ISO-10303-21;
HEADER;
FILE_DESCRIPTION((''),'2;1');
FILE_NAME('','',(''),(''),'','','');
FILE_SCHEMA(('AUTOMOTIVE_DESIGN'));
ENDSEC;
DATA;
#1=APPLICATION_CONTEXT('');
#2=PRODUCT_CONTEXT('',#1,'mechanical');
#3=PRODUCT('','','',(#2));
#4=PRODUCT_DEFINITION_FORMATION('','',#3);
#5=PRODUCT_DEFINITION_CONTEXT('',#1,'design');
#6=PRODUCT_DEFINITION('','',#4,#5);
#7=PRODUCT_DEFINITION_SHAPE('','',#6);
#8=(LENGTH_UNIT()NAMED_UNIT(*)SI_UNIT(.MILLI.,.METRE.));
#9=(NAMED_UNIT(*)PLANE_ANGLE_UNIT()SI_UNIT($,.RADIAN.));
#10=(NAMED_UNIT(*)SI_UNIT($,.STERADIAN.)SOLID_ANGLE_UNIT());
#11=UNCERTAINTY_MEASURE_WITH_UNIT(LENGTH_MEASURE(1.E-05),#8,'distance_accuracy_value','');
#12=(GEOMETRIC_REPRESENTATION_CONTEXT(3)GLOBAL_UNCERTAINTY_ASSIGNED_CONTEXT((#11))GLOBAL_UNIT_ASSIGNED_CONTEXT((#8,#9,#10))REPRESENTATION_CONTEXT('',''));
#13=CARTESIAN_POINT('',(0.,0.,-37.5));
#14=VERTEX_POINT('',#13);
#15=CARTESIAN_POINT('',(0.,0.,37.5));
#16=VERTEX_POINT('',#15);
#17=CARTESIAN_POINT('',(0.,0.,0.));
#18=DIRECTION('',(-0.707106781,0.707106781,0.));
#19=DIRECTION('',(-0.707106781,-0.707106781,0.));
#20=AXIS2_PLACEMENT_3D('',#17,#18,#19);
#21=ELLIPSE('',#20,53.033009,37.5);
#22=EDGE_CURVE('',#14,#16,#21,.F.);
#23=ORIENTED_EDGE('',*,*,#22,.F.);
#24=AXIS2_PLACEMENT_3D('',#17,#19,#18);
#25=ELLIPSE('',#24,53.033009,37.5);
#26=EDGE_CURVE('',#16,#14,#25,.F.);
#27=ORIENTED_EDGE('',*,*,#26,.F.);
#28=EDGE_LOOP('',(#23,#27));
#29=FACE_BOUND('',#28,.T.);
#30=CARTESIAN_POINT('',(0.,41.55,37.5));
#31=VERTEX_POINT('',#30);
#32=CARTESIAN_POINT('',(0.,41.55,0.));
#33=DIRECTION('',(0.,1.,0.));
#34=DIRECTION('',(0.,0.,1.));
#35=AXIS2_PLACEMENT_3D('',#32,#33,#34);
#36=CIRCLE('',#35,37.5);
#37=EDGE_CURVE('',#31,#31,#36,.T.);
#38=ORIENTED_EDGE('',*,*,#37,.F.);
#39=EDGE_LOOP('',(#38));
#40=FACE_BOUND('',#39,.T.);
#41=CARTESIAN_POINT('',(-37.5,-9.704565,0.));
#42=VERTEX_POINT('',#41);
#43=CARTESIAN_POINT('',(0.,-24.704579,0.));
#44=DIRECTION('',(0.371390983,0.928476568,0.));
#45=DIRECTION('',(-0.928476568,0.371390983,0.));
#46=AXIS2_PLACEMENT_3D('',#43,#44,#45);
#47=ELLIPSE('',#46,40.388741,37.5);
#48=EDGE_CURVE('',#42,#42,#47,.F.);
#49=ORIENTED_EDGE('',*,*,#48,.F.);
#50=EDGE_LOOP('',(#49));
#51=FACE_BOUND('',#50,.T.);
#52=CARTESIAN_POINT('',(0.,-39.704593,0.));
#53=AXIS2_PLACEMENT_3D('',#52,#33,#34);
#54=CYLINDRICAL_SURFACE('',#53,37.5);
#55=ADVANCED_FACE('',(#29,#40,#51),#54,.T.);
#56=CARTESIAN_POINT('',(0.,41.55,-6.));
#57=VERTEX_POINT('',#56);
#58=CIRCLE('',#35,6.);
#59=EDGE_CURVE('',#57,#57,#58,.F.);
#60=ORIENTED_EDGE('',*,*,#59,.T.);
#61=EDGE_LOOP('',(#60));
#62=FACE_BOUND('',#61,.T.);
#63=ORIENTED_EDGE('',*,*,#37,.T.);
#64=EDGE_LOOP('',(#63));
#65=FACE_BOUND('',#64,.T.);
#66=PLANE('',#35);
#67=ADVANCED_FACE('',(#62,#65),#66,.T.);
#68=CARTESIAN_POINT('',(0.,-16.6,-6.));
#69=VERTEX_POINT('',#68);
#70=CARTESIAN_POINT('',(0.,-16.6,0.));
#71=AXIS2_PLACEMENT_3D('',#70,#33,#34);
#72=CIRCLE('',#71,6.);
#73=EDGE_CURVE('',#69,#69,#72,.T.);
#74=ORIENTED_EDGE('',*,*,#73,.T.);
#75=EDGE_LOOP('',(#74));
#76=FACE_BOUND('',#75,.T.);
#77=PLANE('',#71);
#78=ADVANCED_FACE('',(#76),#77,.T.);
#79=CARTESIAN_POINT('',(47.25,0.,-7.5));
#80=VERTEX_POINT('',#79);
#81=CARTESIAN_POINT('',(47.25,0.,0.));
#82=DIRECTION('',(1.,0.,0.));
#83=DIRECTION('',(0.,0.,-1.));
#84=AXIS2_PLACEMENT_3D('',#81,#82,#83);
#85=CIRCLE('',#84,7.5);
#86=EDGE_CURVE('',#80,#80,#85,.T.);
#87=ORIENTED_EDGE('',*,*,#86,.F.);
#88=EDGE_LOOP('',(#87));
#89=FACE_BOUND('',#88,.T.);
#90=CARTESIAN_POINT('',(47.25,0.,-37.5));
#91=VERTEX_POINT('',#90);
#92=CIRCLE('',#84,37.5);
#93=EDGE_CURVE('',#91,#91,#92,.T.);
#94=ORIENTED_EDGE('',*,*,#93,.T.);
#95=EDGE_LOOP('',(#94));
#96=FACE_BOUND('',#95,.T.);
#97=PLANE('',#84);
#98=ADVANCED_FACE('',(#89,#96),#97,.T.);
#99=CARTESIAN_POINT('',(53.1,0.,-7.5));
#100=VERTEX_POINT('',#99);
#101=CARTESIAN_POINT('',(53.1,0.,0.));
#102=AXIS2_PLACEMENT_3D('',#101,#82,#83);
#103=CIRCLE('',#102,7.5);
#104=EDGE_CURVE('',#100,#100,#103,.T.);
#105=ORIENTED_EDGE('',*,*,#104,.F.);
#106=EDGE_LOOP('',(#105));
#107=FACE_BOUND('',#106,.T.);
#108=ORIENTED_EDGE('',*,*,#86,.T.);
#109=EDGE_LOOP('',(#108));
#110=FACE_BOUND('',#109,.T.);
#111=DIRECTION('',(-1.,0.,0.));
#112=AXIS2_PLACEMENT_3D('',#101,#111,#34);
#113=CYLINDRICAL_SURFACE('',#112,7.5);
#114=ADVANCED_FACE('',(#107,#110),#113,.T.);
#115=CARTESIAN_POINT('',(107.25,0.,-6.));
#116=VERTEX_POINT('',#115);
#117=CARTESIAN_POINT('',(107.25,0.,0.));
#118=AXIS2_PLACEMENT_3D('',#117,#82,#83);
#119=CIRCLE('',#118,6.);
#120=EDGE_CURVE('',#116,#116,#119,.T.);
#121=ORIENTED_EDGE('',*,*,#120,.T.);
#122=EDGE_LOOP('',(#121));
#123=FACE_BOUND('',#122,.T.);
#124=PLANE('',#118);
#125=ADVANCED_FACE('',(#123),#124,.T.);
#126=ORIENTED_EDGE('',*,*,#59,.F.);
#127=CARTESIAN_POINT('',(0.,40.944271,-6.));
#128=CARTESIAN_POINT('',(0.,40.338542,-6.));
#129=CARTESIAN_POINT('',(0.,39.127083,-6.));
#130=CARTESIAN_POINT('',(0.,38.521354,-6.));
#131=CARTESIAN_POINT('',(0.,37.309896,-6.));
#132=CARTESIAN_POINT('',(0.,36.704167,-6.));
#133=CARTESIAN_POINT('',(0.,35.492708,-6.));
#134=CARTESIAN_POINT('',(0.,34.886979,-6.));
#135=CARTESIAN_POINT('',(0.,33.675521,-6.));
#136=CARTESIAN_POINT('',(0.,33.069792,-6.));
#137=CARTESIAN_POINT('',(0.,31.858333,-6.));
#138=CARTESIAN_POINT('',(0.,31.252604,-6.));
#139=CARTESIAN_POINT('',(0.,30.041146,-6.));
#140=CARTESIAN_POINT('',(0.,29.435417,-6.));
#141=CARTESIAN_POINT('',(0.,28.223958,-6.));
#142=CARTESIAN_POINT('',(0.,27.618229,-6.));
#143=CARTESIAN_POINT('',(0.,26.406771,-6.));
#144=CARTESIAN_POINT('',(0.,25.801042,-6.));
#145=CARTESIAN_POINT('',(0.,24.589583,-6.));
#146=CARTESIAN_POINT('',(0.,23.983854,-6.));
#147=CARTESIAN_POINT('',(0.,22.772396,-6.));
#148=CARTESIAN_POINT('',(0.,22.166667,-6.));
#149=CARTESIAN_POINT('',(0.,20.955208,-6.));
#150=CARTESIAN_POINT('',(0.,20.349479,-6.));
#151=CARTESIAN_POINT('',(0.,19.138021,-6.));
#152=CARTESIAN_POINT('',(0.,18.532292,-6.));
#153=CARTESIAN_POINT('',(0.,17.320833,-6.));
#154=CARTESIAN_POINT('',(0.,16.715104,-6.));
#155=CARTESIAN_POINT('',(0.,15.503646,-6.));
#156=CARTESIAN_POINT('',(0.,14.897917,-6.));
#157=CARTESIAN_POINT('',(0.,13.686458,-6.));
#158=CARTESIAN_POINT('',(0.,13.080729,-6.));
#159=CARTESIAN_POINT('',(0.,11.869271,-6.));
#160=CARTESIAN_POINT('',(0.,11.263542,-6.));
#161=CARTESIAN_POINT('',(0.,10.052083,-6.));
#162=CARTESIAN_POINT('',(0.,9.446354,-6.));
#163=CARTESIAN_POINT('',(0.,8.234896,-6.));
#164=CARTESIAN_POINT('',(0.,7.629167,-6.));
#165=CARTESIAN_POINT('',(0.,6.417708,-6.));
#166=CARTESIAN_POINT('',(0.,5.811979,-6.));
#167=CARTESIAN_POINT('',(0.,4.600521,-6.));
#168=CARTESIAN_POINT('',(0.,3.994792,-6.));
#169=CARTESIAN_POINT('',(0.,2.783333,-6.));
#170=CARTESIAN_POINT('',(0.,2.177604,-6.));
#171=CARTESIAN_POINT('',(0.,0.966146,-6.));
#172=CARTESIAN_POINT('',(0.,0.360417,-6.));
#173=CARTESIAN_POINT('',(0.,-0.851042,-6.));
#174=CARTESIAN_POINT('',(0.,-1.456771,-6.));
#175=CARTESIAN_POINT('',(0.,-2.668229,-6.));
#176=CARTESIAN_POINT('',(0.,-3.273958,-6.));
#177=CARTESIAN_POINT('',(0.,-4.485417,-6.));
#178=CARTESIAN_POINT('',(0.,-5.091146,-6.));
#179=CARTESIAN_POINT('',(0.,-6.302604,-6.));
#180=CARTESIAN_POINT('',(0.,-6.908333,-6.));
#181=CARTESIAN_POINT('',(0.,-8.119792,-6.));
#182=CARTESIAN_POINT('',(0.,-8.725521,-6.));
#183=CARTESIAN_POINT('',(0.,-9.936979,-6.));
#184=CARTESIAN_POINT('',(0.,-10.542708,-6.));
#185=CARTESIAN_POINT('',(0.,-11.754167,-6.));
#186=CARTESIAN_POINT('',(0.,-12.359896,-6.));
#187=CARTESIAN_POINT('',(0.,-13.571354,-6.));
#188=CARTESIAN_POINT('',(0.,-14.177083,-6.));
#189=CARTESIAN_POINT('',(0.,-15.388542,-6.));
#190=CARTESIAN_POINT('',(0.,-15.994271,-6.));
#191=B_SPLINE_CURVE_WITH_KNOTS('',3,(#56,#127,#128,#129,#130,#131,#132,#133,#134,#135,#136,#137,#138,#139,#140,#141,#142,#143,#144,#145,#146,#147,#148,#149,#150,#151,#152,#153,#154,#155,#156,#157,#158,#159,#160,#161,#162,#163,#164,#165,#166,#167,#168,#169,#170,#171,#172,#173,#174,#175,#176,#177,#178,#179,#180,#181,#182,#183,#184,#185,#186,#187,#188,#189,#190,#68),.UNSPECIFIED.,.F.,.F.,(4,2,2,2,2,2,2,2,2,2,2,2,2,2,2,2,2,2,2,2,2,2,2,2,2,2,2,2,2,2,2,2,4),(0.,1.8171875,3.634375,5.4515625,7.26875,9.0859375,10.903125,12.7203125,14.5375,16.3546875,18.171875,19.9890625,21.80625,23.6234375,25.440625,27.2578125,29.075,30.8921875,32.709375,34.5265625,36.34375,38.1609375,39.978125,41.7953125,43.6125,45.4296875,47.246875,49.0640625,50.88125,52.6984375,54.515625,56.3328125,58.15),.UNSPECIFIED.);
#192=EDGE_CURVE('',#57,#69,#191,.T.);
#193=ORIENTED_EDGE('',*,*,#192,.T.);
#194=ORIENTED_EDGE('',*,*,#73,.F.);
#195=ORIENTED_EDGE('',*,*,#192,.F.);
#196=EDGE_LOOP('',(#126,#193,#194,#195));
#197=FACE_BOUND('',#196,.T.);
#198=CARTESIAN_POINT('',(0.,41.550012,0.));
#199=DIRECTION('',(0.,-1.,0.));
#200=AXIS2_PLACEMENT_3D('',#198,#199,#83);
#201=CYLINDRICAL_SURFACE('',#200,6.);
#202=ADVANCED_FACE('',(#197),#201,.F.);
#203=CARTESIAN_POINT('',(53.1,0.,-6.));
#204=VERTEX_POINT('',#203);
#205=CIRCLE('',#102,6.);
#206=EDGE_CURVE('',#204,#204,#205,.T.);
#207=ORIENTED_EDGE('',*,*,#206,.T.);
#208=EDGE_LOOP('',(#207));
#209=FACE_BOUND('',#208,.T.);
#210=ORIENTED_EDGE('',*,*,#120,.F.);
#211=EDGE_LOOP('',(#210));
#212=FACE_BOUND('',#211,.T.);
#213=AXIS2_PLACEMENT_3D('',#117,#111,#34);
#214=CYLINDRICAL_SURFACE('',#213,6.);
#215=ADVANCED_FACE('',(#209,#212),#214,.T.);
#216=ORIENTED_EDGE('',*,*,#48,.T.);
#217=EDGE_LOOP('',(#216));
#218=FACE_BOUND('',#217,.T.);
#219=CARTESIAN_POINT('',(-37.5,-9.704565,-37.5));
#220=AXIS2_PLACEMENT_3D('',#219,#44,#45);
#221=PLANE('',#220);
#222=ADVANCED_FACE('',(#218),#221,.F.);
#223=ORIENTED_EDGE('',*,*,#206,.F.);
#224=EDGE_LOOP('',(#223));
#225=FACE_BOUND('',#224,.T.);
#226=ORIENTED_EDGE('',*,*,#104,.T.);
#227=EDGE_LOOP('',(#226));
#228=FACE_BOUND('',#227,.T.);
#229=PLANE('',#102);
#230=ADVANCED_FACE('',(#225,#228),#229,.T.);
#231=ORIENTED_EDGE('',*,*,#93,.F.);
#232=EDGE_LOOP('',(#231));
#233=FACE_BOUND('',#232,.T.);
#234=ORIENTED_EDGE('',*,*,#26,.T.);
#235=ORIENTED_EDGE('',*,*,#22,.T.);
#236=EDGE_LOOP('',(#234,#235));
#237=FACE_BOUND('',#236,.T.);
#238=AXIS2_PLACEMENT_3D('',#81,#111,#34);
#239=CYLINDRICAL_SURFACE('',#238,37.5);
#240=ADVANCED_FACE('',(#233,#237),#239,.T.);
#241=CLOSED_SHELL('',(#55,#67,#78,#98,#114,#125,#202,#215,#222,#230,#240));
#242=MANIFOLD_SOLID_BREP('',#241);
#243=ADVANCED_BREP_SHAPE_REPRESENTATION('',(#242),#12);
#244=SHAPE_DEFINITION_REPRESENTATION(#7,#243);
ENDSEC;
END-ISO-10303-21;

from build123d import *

# Parameters (mm, degrees)
SKETCH1_R                = 37.5
BOSS_EXTRUDE1_DEPTH      = 47.25
BOSS_EXTRUDE2_DEPTH      = 41.55
BOSS_EXTRUDE2_DEPTH_BACK = 39.70459341
SKETCH2_R                = 37.5
CUT_EXTRUDE1_DEPTH       = 74.247627948
CUT_EXTRUDE1_DEPTH_BACK  = 74.247627948
SKETCH4_R                = 6
BOSS_EXTRUDE3_DEPTH      = 60
SKETCH5_R                = 7.5
BOSS_EXTRUDE4_DEPTH      = 5.85
CUT_EXTRUDE2_DEPTH       = 140.682215941
CUT_EXTRUDE2_DEPTH_BACK  = 58.15
SKETCH6_R                = 6


with BuildPart() as part:
    # Sketch1 → Boss-Extrude1 (new body)
    with BuildSketch(Plane(origin=(0, 0, 0), x_dir=(0, 0, -1), z_dir=(1, 0, 0))):
        Circle(SKETCH1_R)
    extrude(amount=BOSS_EXTRUDE1_DEPTH)

    # Sketch2 → Boss-Extrude2 (add, two sides: drawn at the far end of the back side and taken through both)
    with BuildSketch(Plane(origin=(0, 0, 0), x_dir=(1, 0, 0), z_dir=(0, 1, 0)).offset(-BOSS_EXTRUDE2_DEPTH_BACK)):
        with Locations(Location((0, 0, 0), (0, 0, 270))):
            Circle(SKETCH2_R)
    extrude(amount=BOSS_EXTRUDE2_DEPTH + BOSS_EXTRUDE2_DEPTH_BACK)

    # Sketch3 → Cut-Extrude1 (cut, two sides: drawn at the far end of the back side and taken through both)
    with BuildSketch(Plane.XY.offset(-CUT_EXTRUDE1_DEPTH_BACK)):
        Polygon((37.5, -39.70459341), (-37.5, -39.70459341), (-37.5, -9.70456466), align=None)
    extrude(amount=CUT_EXTRUDE1_DEPTH + CUT_EXTRUDE1_DEPTH_BACK, mode=Mode.SUBTRACT)

    # Sketch4 → Boss-Extrude3 (add)
    with BuildSketch(Plane(origin=(47.25, 0, 0), x_dir=(0, 0, -1), z_dir=(1, 0, 0))):
        Circle(SKETCH4_R)
    extrude(amount=BOSS_EXTRUDE3_DEPTH)

    # Sketch5 → Boss-Extrude4 (add)
    with BuildSketch(Plane(origin=(47.25, 0, 0), x_dir=(0, 0, -1), z_dir=(1, 0, 0))):
        Circle(SKETCH5_R)
    extrude(amount=BOSS_EXTRUDE4_DEPTH)

    # Sketch6 → Cut-Extrude2 (cut, two sides: drawn at the far end of the back side and taken through both)
    with BuildSketch(Plane(origin=(0, 41.55, 0), x_dir=(1, 0, 0), z_dir=(0, 1, 0)).offset(-CUT_EXTRUDE2_DEPTH_BACK)):
        with Locations(Location((0, 0, 0), (0, 0, 90))):
            Circle(SKETCH6_R)
    extrude(amount=CUT_EXTRUDE2_DEPTH + CUT_EXTRUDE2_DEPTH_BACK, mode=Mode.SUBTRACT)


solid = part.part
